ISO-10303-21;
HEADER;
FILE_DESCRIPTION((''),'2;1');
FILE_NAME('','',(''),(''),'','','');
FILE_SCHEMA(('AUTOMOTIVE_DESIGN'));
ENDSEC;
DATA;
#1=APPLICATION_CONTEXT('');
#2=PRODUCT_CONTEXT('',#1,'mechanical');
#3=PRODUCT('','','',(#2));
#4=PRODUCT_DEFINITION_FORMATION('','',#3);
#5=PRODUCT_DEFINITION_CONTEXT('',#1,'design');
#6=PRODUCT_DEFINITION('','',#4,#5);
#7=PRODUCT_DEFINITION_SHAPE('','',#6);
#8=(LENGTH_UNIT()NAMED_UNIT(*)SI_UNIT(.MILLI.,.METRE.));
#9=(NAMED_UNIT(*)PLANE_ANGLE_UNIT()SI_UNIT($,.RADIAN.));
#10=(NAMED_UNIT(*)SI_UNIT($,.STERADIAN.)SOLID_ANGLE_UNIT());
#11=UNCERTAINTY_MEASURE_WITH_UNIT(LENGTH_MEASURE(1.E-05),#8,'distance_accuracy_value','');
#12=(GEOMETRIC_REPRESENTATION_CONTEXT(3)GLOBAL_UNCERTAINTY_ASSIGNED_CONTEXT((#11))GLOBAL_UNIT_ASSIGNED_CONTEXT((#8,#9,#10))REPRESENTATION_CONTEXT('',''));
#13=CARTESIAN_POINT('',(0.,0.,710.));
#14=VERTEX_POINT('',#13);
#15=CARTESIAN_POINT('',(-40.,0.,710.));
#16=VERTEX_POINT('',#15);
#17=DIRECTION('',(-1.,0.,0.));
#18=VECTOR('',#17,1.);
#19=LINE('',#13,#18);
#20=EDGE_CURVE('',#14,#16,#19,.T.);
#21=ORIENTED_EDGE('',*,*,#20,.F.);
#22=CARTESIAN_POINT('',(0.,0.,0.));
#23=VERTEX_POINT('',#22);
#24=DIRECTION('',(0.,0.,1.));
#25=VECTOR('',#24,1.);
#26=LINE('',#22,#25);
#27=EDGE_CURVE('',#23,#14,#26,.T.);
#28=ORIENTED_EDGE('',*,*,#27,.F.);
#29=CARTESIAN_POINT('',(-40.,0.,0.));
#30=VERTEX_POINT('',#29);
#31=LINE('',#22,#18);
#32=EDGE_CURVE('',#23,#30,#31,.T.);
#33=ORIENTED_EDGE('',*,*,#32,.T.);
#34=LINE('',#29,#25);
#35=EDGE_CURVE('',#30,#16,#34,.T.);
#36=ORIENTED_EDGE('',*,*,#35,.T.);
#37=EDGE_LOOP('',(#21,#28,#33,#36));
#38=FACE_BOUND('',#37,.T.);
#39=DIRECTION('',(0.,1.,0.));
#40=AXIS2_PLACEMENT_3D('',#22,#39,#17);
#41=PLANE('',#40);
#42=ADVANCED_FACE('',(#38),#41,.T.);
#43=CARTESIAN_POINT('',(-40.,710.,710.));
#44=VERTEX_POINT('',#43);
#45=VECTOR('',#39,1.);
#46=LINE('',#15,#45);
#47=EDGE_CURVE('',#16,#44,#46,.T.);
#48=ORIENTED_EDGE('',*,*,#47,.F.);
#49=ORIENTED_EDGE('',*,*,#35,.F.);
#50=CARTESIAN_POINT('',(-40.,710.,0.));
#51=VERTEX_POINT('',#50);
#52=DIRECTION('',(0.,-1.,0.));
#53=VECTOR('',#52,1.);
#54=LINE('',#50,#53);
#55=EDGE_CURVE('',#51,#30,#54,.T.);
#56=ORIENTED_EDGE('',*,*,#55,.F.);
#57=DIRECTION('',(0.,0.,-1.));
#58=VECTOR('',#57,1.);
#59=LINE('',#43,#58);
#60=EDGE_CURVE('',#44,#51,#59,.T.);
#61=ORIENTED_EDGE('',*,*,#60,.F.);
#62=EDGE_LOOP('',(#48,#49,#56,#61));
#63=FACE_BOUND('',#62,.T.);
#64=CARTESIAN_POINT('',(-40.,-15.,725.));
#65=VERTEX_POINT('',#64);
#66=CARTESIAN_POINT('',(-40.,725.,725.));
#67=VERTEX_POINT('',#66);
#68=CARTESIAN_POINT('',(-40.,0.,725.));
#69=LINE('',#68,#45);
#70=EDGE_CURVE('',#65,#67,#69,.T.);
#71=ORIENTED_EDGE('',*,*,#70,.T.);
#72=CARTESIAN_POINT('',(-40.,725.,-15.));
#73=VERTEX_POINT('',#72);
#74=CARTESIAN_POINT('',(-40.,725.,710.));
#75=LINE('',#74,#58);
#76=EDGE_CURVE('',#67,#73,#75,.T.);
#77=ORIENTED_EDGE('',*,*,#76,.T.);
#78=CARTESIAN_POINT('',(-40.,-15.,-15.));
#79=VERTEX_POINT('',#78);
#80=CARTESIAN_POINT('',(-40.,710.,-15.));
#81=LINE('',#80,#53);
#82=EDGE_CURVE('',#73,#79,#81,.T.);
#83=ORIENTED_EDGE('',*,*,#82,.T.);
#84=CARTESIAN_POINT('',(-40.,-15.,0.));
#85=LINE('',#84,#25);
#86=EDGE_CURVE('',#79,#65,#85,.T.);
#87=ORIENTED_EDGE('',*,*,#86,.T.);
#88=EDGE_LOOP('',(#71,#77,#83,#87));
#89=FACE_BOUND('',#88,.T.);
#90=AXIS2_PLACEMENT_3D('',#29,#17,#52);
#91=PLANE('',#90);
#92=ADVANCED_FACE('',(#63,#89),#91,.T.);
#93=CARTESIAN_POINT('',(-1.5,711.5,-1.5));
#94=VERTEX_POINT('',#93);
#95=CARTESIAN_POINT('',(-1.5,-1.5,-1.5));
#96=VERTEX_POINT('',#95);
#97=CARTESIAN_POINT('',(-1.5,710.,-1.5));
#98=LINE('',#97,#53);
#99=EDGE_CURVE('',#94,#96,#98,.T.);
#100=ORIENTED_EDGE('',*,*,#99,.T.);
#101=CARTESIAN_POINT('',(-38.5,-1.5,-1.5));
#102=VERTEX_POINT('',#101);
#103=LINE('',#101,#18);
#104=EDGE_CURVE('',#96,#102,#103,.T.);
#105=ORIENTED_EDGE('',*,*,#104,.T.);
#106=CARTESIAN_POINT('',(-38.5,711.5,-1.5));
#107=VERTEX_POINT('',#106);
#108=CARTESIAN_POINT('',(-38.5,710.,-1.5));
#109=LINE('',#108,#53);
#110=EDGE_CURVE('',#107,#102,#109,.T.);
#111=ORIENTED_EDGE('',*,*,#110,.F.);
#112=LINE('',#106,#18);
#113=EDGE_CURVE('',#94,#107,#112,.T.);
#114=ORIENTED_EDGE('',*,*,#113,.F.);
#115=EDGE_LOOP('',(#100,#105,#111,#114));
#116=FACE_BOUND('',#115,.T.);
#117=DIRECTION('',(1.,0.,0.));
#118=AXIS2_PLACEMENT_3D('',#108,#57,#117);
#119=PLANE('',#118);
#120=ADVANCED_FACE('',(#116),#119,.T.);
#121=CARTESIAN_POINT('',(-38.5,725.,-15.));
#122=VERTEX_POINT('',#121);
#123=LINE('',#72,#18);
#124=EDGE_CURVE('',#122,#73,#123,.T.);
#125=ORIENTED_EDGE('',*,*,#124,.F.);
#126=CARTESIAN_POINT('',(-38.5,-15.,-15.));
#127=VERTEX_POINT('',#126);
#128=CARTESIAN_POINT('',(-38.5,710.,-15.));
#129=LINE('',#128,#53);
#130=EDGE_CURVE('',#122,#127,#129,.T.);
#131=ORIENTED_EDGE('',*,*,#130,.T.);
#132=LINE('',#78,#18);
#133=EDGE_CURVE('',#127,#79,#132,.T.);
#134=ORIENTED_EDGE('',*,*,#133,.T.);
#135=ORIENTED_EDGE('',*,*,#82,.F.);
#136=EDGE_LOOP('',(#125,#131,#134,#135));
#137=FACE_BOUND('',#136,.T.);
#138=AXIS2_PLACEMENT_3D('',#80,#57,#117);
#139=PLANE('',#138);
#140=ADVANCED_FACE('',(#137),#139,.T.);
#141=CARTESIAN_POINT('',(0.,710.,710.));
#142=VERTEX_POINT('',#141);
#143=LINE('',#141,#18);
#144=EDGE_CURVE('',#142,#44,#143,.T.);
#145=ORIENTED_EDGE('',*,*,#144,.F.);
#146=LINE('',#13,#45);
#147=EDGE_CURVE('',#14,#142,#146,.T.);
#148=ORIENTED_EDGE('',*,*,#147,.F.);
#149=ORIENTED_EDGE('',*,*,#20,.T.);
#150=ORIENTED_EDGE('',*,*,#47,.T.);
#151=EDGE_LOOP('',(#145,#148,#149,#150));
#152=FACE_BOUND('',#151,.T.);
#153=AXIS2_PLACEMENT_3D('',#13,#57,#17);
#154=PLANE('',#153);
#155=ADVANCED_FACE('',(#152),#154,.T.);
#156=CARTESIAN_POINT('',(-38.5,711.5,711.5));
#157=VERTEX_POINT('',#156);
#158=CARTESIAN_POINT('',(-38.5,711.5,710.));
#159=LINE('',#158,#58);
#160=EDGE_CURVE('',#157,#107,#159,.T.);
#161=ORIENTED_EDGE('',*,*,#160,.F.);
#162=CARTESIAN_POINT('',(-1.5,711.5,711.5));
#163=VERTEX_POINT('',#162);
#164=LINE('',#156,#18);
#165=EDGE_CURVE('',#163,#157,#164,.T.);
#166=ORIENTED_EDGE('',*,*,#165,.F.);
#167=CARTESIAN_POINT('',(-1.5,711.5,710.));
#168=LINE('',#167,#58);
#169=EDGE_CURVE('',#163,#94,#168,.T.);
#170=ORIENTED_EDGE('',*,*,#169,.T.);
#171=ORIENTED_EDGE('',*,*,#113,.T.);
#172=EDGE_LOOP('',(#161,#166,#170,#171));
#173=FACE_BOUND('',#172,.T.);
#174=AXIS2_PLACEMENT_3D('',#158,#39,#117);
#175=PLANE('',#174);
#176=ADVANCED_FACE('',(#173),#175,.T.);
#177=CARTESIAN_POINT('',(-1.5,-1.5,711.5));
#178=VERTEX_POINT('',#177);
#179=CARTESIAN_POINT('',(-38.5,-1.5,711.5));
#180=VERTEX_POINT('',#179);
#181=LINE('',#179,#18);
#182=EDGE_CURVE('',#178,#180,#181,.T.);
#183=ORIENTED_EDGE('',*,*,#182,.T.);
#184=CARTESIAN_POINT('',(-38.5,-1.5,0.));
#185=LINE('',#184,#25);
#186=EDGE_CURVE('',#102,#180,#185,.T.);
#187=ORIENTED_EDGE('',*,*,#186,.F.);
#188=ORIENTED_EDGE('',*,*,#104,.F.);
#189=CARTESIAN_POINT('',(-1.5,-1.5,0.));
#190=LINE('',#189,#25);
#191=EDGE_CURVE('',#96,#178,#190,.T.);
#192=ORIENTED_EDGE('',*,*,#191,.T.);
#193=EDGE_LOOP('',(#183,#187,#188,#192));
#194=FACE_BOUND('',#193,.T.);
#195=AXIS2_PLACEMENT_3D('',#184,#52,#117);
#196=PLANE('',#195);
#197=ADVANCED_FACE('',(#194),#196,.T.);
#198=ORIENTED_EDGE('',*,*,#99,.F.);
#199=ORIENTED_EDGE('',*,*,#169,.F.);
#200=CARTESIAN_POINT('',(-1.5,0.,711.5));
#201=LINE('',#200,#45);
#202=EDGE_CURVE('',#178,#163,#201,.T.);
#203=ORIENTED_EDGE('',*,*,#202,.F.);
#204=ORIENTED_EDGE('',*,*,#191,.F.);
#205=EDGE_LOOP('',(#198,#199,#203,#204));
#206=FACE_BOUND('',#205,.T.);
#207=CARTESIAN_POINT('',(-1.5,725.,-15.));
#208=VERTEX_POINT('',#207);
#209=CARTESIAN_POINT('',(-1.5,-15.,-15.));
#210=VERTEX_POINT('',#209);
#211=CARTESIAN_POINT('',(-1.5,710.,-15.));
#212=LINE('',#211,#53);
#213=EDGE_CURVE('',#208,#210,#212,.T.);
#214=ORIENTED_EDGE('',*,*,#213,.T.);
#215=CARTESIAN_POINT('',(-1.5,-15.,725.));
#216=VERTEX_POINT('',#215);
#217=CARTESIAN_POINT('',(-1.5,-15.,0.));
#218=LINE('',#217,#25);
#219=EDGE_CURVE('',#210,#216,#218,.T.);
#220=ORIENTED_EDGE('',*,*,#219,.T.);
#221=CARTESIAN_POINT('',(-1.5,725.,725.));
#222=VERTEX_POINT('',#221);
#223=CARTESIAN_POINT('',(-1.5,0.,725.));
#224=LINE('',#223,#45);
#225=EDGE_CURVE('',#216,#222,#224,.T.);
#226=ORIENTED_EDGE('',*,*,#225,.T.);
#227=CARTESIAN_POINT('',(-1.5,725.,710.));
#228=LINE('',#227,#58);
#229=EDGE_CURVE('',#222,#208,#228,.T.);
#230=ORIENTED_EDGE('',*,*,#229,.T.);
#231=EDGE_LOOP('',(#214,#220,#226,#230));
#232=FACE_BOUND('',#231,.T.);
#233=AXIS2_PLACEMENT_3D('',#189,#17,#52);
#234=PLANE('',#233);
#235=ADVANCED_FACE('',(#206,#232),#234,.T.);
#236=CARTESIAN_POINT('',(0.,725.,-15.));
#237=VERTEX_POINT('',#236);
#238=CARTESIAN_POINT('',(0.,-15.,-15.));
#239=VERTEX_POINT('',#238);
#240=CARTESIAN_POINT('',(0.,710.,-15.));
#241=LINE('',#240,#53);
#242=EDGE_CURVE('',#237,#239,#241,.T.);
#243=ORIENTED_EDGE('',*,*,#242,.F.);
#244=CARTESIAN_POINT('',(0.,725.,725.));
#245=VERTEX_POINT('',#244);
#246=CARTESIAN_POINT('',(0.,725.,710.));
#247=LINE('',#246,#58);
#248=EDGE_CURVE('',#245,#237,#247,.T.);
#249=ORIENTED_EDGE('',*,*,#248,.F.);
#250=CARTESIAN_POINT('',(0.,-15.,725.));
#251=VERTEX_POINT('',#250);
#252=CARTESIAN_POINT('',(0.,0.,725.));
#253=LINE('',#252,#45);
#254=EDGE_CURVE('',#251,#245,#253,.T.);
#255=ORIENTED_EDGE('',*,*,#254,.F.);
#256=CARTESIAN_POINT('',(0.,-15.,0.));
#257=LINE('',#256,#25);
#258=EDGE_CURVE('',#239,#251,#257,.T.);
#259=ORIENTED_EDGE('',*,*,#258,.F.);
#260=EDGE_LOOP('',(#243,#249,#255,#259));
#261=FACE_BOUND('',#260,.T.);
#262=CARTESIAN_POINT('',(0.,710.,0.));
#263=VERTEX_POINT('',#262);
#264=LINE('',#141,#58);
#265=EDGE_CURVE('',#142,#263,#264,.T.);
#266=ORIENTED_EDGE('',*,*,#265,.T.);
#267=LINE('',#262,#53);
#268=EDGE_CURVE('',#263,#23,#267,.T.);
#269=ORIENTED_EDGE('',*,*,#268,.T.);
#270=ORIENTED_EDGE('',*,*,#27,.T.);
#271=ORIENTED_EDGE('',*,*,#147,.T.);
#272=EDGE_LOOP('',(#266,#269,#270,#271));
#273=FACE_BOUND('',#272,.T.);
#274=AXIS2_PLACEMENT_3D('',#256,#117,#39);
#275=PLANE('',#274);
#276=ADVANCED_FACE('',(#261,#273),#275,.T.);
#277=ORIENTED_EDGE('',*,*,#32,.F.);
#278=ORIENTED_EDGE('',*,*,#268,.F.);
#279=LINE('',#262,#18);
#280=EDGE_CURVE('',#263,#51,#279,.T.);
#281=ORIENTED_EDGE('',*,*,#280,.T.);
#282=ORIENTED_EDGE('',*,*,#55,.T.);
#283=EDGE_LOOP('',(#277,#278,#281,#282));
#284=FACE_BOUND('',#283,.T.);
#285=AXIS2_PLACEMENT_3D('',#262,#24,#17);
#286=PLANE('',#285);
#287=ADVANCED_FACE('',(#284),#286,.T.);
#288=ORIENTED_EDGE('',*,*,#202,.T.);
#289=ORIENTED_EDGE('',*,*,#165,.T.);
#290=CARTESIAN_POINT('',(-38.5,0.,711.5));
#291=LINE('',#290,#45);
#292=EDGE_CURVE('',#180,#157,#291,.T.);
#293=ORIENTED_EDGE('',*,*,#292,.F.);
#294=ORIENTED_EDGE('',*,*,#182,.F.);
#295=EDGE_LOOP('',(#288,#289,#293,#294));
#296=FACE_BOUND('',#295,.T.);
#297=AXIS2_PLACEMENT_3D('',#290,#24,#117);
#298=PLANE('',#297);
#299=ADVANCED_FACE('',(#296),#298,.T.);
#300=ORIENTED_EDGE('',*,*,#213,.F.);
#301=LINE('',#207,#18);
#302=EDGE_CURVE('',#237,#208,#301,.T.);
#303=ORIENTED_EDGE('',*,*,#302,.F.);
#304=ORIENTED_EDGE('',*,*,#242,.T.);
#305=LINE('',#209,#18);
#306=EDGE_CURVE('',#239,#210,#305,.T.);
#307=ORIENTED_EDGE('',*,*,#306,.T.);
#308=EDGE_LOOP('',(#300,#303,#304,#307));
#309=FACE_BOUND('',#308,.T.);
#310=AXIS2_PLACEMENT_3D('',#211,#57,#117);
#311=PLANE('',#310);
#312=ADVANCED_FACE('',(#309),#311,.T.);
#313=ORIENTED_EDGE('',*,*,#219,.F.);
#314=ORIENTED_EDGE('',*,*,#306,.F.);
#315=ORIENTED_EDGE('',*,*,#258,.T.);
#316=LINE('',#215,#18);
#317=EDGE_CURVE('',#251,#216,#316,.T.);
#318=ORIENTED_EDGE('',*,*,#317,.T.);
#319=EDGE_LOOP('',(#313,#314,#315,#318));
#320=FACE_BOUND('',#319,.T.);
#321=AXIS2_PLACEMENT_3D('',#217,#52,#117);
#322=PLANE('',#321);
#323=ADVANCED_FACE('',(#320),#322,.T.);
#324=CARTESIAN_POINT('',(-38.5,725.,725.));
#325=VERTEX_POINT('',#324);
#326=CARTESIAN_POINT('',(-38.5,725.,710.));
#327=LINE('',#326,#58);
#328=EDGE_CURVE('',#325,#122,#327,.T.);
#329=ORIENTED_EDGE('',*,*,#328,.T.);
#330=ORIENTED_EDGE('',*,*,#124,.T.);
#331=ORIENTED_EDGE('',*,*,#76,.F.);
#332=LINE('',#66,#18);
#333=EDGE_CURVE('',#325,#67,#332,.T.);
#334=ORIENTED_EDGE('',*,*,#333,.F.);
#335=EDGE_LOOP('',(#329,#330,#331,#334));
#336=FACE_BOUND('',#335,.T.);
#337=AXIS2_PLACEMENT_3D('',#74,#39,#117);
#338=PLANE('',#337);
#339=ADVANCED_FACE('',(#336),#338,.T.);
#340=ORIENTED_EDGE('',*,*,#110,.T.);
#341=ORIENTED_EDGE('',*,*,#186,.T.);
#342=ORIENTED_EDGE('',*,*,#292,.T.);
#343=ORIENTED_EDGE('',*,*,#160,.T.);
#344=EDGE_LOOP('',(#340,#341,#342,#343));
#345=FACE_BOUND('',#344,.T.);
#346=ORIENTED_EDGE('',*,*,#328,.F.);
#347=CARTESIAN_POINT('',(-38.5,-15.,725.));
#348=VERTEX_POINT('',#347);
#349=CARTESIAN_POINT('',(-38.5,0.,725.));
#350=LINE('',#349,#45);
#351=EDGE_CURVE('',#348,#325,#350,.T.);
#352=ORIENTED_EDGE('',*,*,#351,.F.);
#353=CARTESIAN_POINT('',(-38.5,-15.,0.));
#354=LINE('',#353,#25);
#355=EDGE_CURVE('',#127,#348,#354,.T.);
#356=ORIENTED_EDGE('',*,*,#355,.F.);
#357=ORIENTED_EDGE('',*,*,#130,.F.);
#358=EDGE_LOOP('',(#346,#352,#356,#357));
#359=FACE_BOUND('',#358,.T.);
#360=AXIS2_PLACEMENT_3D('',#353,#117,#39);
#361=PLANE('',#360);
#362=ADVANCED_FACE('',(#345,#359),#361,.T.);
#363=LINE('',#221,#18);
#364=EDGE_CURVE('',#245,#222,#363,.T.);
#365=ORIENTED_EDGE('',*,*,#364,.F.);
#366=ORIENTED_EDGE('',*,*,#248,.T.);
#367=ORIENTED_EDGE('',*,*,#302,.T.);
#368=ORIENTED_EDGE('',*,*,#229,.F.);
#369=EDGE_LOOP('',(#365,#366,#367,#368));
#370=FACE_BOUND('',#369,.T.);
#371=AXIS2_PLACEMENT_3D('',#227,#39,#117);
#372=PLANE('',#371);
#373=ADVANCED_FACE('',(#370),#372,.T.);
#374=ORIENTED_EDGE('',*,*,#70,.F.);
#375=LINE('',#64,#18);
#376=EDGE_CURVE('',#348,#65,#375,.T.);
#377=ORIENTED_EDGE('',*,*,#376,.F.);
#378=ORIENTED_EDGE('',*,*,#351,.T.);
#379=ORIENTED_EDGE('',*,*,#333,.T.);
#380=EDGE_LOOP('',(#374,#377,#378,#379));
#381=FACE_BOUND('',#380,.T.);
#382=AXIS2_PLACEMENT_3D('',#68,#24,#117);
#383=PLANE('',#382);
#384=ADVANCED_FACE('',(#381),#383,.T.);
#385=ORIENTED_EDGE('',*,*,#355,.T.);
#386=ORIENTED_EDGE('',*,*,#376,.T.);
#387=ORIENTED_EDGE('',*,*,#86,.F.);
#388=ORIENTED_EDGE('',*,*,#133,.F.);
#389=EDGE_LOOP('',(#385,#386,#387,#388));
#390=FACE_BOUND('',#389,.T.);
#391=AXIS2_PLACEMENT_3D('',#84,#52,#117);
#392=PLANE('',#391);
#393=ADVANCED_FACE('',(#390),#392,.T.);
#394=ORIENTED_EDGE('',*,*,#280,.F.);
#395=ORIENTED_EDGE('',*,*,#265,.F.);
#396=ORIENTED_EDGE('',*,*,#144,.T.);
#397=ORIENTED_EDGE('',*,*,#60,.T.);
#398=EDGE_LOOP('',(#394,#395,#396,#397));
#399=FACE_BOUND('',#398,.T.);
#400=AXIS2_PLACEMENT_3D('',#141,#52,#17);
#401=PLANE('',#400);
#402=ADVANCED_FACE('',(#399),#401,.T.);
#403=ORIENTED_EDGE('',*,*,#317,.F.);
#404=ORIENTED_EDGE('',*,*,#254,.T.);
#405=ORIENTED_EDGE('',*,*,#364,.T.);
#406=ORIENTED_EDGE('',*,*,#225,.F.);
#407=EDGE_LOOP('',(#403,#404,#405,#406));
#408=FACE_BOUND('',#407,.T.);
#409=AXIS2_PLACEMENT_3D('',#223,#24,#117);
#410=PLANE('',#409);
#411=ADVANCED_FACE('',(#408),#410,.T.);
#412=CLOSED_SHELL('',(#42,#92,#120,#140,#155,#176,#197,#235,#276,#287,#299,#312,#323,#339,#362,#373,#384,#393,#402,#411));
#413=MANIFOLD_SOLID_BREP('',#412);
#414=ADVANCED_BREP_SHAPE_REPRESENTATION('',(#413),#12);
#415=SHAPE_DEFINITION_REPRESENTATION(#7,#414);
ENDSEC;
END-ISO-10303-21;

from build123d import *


with BuildPart() as f2:
    # F2: sweep along a path in F1
    with BuildLine(Plane.YZ) as f2_path:
        Line((0, 0), (0, 710))
        Line((0, 710), (710, 710))
        Line((710, 710), (710, 0))
        Line((710, 0), (0, 0))
    # F0 (on Top) → F2 (sweep)
    with BuildSketch(Plane.XY):
        Polygon((0, -15), (0, 0), (-40, 0), (-40, -15), (-38.5, -15), (-38.5, -1.5), (-1.5, -1.5), (-1.5, -15), align=None)
    sweep(path=f2_path.line, transition=Transition.RIGHT)


solid = f2.part
